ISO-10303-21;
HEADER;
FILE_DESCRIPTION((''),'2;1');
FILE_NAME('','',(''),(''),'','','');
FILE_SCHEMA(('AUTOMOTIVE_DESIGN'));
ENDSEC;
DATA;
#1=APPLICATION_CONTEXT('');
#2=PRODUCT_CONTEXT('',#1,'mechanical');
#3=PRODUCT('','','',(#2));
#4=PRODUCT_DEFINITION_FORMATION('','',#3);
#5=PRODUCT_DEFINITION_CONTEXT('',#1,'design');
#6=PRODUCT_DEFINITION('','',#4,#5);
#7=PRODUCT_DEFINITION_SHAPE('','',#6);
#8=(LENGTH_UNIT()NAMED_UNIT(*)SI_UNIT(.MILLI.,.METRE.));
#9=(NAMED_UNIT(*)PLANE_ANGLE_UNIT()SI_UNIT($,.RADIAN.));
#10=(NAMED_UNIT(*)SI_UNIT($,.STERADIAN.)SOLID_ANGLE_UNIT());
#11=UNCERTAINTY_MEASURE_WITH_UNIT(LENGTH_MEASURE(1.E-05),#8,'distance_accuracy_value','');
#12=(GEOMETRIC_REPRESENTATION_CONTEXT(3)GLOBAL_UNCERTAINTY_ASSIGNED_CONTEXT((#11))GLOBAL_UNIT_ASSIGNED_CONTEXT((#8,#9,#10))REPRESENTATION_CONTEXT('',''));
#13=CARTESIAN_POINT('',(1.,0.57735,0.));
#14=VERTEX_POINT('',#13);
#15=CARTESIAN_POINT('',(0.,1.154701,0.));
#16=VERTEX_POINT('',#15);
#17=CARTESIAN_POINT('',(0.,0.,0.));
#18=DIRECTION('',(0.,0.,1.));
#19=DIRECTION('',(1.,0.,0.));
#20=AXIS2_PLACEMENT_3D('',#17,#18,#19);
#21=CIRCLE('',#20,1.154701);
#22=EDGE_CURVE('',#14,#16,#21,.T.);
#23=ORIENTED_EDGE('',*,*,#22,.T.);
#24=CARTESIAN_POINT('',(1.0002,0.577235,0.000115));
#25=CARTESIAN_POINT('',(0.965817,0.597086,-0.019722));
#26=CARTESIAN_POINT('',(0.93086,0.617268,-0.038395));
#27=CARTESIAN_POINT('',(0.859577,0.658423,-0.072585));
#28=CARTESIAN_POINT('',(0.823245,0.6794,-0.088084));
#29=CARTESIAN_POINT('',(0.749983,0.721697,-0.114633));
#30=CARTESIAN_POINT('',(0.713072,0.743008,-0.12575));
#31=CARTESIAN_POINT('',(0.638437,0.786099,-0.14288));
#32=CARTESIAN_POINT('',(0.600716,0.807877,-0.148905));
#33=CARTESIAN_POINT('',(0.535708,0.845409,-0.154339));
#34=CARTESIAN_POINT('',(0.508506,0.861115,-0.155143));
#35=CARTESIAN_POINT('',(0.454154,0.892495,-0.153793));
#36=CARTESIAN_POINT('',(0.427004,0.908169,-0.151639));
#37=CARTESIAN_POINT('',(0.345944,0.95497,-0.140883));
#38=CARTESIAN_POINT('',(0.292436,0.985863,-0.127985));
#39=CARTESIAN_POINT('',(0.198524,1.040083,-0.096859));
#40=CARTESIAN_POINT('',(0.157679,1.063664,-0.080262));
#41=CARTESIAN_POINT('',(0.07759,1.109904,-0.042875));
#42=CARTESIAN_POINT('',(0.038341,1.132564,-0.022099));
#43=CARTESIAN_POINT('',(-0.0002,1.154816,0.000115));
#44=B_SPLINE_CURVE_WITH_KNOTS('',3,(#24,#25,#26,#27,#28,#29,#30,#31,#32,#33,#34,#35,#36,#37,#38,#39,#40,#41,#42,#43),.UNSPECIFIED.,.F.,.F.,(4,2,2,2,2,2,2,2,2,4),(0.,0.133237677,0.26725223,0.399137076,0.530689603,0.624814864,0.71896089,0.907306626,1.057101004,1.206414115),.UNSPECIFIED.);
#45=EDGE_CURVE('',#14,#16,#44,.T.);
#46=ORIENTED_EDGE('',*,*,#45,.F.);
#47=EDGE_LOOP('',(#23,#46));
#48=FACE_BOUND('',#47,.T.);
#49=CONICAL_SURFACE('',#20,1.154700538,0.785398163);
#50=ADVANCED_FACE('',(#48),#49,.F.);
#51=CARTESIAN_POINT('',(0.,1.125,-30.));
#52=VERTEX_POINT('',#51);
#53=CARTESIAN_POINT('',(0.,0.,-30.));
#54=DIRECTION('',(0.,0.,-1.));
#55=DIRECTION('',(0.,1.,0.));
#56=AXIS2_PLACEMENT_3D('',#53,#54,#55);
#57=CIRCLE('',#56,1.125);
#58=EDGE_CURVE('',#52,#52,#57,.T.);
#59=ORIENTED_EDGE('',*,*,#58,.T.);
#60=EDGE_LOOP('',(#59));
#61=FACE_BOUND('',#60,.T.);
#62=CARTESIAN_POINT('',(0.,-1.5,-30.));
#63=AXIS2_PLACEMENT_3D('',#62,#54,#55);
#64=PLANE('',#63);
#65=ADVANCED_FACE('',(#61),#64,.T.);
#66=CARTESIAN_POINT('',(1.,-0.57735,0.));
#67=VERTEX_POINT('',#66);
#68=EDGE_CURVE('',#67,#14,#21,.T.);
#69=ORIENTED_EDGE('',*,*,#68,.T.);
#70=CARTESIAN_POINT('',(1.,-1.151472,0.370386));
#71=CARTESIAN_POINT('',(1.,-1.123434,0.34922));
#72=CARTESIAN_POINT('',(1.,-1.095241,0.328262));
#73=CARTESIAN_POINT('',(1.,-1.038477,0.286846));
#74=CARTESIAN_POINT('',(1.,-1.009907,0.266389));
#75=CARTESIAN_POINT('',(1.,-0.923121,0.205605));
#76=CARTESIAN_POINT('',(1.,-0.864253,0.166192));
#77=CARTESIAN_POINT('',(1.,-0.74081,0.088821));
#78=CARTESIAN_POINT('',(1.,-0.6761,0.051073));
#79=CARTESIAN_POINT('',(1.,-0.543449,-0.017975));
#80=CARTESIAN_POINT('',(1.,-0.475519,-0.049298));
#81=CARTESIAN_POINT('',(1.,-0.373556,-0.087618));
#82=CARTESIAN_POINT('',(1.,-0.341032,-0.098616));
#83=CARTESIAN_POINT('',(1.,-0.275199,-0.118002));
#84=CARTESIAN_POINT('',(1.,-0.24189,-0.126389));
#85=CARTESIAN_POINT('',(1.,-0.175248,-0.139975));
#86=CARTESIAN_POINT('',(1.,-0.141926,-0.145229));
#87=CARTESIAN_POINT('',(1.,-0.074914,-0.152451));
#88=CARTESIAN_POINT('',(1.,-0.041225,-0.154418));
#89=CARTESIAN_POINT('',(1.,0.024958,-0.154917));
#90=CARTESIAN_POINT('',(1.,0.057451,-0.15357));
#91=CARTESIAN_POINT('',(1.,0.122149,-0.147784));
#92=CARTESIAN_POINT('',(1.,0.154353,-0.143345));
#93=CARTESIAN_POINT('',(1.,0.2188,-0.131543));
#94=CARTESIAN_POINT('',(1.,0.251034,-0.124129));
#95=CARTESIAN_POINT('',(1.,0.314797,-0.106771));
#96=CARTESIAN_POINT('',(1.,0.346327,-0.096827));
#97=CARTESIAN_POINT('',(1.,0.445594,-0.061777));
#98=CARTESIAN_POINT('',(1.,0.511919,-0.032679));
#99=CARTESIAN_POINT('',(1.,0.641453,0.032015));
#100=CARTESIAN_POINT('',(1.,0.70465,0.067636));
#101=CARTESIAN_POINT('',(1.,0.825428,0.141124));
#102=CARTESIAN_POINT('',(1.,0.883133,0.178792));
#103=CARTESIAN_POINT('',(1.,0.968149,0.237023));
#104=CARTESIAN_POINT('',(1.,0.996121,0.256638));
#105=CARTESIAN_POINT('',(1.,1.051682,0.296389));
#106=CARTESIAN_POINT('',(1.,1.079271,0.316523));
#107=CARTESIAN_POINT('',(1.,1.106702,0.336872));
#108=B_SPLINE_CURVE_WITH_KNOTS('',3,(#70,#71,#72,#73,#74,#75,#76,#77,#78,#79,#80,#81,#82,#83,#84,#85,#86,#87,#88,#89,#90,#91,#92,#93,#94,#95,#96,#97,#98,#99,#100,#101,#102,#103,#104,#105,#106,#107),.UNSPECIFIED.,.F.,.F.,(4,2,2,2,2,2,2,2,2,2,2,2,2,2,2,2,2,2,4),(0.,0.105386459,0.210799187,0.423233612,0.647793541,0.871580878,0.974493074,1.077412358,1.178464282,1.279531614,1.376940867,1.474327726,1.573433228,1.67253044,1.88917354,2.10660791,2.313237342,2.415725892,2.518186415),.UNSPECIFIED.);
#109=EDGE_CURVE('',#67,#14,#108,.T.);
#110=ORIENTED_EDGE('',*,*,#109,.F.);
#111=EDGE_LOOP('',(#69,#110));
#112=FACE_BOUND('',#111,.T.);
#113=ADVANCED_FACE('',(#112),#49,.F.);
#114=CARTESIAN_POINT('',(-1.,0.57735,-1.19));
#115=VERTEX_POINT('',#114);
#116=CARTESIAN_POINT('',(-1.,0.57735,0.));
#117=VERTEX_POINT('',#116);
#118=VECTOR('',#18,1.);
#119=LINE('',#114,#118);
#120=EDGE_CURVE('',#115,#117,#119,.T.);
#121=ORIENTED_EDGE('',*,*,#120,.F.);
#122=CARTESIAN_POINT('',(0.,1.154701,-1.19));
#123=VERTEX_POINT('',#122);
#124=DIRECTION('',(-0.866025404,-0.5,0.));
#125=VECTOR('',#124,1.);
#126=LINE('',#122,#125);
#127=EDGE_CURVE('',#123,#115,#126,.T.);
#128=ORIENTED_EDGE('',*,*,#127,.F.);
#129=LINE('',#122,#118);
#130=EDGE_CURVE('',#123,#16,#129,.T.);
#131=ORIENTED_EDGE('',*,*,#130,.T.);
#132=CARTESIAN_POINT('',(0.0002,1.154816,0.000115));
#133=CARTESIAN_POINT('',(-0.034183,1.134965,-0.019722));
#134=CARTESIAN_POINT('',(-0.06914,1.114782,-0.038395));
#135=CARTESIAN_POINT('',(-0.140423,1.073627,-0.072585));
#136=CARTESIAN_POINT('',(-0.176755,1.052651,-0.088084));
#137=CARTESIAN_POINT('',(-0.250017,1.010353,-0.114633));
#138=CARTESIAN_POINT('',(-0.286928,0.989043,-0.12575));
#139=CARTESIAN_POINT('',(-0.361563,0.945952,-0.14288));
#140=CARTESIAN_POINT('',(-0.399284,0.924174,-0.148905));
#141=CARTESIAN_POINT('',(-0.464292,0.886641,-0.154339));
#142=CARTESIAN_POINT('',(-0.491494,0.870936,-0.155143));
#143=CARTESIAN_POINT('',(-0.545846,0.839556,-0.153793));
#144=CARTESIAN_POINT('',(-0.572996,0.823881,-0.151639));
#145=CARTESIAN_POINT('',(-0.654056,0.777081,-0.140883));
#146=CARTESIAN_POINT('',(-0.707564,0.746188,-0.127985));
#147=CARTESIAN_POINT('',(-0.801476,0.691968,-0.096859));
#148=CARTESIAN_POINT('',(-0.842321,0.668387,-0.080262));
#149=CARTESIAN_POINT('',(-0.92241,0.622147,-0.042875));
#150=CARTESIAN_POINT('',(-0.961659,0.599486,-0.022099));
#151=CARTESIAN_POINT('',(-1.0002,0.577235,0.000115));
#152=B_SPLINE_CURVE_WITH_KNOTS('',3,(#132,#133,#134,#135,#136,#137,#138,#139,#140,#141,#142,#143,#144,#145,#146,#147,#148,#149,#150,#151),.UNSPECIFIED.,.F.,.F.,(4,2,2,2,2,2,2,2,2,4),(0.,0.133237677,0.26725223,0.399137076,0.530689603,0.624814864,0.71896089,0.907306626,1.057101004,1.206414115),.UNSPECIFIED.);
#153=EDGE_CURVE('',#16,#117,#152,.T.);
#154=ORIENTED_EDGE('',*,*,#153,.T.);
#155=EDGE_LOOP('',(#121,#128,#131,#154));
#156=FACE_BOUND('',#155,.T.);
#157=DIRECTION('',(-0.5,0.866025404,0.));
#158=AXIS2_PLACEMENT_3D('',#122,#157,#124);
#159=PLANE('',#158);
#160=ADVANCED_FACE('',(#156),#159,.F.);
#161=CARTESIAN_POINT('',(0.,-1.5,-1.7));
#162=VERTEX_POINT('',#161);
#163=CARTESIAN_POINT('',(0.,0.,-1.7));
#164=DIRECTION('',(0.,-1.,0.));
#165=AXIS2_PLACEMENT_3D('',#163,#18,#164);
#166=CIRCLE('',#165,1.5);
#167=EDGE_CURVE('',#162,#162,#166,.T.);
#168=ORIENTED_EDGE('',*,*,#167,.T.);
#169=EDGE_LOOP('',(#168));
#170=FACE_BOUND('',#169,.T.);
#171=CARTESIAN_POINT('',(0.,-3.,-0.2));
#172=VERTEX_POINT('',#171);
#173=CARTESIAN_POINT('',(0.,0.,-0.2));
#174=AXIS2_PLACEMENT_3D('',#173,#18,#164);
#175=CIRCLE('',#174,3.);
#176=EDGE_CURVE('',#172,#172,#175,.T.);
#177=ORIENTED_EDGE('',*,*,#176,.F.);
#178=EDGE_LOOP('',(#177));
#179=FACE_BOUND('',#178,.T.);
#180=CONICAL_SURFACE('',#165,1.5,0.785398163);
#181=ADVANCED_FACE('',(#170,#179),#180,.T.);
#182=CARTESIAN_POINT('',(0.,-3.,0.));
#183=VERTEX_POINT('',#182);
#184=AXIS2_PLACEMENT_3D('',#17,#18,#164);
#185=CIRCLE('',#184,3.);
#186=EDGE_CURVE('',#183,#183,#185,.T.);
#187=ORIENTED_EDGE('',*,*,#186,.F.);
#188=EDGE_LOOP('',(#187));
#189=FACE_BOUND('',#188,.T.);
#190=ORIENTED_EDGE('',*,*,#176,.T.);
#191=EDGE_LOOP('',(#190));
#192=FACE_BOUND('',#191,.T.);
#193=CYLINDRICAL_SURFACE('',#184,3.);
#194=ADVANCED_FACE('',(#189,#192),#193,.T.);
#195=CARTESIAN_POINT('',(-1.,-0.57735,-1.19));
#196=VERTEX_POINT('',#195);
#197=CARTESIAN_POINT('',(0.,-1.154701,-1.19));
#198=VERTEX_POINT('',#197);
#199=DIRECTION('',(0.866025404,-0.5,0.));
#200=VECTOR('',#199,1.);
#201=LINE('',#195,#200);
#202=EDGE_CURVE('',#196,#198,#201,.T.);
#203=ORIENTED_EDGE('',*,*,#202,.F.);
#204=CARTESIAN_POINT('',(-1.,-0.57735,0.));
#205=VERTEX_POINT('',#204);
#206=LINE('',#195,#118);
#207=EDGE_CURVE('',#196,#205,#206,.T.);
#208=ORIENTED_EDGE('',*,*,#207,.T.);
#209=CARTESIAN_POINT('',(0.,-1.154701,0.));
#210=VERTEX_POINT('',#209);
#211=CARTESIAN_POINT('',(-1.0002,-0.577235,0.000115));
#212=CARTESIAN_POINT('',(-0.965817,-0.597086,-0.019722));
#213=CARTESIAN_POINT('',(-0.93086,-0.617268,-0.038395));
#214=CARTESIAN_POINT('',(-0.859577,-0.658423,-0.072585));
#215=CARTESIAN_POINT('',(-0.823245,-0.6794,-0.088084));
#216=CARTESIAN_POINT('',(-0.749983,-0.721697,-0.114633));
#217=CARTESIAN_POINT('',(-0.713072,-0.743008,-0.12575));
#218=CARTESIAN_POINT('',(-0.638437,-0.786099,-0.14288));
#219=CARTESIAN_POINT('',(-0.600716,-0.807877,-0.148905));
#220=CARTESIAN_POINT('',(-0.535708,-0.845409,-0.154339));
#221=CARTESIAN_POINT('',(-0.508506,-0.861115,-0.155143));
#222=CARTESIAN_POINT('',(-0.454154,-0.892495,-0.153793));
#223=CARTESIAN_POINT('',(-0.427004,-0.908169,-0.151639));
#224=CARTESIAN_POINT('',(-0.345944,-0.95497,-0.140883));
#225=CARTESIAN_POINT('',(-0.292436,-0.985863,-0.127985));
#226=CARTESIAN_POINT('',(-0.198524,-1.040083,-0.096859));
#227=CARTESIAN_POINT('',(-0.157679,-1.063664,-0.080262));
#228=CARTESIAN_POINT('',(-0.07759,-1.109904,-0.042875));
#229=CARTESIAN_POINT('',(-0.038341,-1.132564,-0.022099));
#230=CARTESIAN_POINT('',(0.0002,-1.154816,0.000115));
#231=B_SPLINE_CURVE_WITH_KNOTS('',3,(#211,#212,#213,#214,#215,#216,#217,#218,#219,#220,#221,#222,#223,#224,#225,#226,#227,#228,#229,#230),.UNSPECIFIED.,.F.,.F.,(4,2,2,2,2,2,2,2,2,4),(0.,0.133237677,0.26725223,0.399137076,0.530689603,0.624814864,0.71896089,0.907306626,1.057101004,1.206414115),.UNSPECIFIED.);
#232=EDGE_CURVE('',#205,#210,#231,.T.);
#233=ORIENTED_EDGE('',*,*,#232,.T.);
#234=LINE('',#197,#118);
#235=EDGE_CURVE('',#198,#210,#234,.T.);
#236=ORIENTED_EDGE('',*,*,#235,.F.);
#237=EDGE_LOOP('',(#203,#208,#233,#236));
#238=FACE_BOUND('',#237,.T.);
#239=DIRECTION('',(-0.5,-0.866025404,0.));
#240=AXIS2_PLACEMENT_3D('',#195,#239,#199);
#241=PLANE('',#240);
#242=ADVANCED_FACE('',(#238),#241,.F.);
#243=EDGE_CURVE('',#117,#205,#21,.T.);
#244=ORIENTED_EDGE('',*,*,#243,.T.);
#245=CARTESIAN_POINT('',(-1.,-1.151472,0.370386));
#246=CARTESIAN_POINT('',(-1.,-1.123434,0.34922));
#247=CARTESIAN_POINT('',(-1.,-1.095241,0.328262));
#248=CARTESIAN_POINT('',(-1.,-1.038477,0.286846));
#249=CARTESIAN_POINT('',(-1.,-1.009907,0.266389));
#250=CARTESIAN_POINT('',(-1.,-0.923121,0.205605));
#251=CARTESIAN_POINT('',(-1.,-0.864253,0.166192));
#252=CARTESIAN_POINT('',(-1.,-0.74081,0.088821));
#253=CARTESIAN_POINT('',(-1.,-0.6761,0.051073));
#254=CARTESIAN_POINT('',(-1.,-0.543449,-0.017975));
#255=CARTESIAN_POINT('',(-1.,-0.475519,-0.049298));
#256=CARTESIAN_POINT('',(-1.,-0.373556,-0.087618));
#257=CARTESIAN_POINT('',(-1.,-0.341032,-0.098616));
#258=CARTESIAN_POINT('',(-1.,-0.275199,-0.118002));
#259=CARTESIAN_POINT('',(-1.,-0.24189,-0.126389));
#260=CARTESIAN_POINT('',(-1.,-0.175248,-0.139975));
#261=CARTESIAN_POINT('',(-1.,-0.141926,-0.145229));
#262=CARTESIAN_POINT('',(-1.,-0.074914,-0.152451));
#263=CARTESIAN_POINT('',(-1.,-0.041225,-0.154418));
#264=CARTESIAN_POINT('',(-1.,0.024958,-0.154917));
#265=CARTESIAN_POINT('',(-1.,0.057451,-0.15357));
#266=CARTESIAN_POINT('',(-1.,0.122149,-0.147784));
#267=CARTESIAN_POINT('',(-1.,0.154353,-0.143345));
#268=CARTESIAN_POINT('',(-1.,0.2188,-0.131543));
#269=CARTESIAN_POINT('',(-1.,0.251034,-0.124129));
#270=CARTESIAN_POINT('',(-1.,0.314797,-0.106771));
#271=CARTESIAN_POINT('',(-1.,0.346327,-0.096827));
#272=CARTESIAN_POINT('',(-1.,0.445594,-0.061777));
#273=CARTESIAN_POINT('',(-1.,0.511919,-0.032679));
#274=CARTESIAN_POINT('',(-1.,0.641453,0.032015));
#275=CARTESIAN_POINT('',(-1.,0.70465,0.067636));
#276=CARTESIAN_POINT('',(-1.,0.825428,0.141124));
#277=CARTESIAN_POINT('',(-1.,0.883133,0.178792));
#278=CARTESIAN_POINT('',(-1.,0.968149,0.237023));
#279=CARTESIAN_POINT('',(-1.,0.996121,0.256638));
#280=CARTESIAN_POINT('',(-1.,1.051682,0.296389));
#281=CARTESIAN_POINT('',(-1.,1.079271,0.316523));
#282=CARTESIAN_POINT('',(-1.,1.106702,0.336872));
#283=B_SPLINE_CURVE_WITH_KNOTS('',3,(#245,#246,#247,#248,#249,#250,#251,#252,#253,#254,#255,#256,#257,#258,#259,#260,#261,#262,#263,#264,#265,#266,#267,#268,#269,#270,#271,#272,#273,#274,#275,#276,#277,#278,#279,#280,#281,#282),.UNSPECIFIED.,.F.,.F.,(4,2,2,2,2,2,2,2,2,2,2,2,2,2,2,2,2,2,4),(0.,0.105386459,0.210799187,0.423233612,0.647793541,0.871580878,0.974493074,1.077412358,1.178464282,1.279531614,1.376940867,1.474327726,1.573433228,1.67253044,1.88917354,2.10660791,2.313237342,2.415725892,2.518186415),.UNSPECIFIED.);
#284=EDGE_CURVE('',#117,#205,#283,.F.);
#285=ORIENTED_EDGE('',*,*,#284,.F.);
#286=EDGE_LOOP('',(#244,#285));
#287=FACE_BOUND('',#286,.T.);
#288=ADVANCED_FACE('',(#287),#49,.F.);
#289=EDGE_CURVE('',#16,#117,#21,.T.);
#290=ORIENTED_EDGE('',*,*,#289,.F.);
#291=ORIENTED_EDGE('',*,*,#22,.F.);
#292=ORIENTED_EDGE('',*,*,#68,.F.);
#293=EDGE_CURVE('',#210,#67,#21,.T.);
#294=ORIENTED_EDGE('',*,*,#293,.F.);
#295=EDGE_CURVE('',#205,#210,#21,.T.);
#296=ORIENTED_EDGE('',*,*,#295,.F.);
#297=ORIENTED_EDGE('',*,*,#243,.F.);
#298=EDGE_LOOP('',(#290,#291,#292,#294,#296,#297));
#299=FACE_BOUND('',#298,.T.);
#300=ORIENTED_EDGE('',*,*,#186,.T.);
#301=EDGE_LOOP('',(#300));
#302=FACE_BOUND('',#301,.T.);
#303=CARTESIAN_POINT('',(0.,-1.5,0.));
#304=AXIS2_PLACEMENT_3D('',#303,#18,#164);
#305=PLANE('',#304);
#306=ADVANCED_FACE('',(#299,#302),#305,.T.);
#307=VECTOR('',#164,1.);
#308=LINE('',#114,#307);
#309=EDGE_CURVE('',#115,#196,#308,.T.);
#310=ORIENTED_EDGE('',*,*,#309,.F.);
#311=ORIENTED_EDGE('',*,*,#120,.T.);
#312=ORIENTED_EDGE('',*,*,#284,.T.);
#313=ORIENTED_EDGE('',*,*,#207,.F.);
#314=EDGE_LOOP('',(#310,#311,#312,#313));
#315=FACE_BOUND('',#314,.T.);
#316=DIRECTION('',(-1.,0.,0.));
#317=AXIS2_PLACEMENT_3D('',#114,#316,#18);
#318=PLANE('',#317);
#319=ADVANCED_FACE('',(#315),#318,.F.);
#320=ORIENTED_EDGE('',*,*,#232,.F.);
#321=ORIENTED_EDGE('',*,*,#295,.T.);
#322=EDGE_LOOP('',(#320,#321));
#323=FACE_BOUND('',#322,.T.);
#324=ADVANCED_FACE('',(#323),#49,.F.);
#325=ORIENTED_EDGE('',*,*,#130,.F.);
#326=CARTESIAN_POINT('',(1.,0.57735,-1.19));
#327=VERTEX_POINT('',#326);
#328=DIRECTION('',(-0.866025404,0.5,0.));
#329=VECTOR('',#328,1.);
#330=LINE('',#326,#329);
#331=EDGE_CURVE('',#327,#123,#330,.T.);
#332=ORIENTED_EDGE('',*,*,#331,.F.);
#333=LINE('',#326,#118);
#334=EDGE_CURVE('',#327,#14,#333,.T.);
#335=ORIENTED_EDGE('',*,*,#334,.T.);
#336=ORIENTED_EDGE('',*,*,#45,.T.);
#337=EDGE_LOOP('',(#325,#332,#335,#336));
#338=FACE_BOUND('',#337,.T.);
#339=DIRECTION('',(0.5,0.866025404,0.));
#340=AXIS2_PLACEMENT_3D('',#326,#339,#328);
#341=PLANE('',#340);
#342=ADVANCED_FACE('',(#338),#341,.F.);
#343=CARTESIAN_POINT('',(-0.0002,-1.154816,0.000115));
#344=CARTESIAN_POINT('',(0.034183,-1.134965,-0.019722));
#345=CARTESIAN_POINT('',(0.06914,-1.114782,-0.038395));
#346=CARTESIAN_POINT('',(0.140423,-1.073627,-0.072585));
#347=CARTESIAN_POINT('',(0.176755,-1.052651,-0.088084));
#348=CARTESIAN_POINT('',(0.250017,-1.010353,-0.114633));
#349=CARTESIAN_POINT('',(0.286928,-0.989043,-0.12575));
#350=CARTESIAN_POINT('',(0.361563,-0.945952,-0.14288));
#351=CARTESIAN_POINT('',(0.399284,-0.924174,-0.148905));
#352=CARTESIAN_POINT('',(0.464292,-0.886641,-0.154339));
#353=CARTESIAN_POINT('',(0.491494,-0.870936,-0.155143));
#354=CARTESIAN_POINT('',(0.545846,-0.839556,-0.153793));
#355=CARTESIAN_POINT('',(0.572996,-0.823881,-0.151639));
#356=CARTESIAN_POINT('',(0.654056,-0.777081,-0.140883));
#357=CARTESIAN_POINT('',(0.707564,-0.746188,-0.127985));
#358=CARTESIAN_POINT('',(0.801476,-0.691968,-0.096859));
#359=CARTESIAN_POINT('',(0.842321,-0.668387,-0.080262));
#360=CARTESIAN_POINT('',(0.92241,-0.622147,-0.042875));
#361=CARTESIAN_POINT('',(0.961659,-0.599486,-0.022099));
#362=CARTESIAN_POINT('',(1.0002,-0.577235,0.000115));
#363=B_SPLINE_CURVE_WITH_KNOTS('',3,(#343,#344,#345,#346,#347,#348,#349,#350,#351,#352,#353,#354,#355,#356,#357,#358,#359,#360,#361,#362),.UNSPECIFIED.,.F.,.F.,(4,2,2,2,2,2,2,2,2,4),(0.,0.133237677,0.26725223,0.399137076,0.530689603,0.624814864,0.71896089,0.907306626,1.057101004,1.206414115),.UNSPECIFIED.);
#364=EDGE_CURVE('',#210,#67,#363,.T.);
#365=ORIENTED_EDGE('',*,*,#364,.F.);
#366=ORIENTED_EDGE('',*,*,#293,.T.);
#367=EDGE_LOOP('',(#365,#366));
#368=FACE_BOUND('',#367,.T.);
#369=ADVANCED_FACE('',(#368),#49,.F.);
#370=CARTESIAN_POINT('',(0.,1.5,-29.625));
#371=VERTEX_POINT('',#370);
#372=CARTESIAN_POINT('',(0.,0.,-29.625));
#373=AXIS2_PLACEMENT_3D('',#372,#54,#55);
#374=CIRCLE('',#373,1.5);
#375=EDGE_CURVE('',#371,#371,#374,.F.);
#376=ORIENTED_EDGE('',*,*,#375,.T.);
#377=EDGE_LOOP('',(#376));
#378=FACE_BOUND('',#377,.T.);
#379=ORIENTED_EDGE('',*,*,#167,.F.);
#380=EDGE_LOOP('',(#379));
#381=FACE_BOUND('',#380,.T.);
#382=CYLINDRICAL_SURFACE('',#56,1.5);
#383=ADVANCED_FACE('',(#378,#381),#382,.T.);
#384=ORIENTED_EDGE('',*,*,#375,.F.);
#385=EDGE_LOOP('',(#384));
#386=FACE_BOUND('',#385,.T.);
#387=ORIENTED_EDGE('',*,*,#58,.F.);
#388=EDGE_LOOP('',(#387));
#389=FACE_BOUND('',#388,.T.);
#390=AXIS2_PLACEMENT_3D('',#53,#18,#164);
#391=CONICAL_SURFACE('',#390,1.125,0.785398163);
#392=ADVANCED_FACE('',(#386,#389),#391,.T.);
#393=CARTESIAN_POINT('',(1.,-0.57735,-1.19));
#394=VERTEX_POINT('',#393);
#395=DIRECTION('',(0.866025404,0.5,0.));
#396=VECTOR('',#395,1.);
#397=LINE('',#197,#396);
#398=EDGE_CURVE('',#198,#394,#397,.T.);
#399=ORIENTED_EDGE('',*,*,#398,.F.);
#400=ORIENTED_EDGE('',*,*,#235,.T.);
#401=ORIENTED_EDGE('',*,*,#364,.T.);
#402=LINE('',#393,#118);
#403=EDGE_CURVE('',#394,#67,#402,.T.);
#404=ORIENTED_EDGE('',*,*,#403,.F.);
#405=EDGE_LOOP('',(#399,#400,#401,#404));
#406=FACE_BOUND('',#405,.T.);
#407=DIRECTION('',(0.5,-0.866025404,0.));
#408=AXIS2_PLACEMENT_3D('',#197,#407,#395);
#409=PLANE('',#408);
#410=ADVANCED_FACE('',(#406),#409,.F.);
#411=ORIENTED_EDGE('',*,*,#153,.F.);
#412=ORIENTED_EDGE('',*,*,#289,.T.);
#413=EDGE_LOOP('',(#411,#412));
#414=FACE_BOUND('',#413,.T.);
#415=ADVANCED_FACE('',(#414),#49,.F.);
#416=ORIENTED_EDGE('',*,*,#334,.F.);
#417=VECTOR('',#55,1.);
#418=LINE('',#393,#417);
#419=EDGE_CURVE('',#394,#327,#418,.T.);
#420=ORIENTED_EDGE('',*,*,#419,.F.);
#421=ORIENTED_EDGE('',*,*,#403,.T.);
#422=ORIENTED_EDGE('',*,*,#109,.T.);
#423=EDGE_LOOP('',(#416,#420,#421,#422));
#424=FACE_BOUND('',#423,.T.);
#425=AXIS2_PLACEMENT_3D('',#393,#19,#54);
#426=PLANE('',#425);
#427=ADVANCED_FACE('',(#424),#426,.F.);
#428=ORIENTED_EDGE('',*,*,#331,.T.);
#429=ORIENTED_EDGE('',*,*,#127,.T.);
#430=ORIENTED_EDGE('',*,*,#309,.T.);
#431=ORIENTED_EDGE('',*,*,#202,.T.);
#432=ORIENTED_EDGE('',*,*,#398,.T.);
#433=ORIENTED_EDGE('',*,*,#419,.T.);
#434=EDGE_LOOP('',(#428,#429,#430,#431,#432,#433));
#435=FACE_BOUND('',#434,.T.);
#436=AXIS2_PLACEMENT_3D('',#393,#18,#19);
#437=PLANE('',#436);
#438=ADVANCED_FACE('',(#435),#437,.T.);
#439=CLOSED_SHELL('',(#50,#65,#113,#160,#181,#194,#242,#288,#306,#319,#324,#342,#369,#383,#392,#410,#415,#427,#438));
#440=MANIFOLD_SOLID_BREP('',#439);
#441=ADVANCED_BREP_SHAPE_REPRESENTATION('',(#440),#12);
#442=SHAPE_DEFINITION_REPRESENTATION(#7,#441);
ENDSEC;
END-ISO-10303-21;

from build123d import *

# Parameters (mm, degrees)
SKETCH1_W          = 30
SKETCH1_H          = 1.5
CHAMFER1_SIZE      = 0.375
CUT_EXTRUDE2_DEPTH = 1.19


with BuildPart() as part:
    # Sketch1 → Revolve1 (revolve)
    with BuildSketch(Plane(origin=(0, 0, 0), x_dir=(0, 0, -1), z_dir=(1, 0, 0))):
        with Locations((15, 0.75)):
            Rectangle(SKETCH1_W, SKETCH1_H)
    revolve(axis=Axis((0, 0, -30), (0, 0, 1)))

    # Chamfer1
    chamfer1_edges = [part.edges().sort_by_distance(p)[0] for p in [
        (0, -1.5, -30),
    ]]
    chamfer(chamfer1_edges, length=CHAMFER1_SIZE)

    # Sketch7 → Revolve2 (revolve)
    with BuildSketch(Plane(origin=(0, 0, 0), x_dir=(0, 0, -1), z_dir=(1, 0, 0)), mode=Mode.PRIVATE) as revolve2_sk:
        Polygon((0, 3), (0.2, 3), (1.7, 1.5), (1.7, 0), (0, 0), align=None)
    revolve(revolve2_sk.sketch.rotate(Axis((0, 0, 0), (0, 0, -1)), 180), axis=Axis((0, 0, 0), (0, 0, -1)))

    # Boss-Extrude1 cone 1 section (through the dimple's axis) → Boss-Extrude1 (revolve)
    with BuildSketch(Plane(origin=(0, 0, -1.7), x_dir=(0, -1, 0), z_dir=(1, 0, 0))):
        Polygon((0, 0), (1.5, 0), (0, 1.5), align=None)
    revolve(axis=Axis((0, 0, -1.7), (0, 0, -1)))

    # Sketch5 → Cut-Extrude2 (cut)
    with BuildSketch(Plane.XY):
        Polygon((1, -0.577350269), (1, 0.577350269), (0, 1.154700538), (-1, 0.577350269), (-1, -0.577350269), (0, -1.154700538), align=None)
    extrude(amount=-CUT_EXTRUDE2_DEPTH, mode=Mode.SUBTRACT)

    # Cut-Extrude3 cone 1 section (through the dimple's axis) → Cut-Extrude3 (revolve, cut)
    with BuildSketch(Plane(origin=(0, 0, 0), x_dir=(0, -1, 0), z_dir=(1, 0, 0))):
        Polygon((0, 0), (1.154700538, 0), (0, 1.154700538), align=None)
    revolve(axis=Axis((0, 0, 0), (0, 0, -1)), mode=Mode.SUBTRACT)


solid = part.part
